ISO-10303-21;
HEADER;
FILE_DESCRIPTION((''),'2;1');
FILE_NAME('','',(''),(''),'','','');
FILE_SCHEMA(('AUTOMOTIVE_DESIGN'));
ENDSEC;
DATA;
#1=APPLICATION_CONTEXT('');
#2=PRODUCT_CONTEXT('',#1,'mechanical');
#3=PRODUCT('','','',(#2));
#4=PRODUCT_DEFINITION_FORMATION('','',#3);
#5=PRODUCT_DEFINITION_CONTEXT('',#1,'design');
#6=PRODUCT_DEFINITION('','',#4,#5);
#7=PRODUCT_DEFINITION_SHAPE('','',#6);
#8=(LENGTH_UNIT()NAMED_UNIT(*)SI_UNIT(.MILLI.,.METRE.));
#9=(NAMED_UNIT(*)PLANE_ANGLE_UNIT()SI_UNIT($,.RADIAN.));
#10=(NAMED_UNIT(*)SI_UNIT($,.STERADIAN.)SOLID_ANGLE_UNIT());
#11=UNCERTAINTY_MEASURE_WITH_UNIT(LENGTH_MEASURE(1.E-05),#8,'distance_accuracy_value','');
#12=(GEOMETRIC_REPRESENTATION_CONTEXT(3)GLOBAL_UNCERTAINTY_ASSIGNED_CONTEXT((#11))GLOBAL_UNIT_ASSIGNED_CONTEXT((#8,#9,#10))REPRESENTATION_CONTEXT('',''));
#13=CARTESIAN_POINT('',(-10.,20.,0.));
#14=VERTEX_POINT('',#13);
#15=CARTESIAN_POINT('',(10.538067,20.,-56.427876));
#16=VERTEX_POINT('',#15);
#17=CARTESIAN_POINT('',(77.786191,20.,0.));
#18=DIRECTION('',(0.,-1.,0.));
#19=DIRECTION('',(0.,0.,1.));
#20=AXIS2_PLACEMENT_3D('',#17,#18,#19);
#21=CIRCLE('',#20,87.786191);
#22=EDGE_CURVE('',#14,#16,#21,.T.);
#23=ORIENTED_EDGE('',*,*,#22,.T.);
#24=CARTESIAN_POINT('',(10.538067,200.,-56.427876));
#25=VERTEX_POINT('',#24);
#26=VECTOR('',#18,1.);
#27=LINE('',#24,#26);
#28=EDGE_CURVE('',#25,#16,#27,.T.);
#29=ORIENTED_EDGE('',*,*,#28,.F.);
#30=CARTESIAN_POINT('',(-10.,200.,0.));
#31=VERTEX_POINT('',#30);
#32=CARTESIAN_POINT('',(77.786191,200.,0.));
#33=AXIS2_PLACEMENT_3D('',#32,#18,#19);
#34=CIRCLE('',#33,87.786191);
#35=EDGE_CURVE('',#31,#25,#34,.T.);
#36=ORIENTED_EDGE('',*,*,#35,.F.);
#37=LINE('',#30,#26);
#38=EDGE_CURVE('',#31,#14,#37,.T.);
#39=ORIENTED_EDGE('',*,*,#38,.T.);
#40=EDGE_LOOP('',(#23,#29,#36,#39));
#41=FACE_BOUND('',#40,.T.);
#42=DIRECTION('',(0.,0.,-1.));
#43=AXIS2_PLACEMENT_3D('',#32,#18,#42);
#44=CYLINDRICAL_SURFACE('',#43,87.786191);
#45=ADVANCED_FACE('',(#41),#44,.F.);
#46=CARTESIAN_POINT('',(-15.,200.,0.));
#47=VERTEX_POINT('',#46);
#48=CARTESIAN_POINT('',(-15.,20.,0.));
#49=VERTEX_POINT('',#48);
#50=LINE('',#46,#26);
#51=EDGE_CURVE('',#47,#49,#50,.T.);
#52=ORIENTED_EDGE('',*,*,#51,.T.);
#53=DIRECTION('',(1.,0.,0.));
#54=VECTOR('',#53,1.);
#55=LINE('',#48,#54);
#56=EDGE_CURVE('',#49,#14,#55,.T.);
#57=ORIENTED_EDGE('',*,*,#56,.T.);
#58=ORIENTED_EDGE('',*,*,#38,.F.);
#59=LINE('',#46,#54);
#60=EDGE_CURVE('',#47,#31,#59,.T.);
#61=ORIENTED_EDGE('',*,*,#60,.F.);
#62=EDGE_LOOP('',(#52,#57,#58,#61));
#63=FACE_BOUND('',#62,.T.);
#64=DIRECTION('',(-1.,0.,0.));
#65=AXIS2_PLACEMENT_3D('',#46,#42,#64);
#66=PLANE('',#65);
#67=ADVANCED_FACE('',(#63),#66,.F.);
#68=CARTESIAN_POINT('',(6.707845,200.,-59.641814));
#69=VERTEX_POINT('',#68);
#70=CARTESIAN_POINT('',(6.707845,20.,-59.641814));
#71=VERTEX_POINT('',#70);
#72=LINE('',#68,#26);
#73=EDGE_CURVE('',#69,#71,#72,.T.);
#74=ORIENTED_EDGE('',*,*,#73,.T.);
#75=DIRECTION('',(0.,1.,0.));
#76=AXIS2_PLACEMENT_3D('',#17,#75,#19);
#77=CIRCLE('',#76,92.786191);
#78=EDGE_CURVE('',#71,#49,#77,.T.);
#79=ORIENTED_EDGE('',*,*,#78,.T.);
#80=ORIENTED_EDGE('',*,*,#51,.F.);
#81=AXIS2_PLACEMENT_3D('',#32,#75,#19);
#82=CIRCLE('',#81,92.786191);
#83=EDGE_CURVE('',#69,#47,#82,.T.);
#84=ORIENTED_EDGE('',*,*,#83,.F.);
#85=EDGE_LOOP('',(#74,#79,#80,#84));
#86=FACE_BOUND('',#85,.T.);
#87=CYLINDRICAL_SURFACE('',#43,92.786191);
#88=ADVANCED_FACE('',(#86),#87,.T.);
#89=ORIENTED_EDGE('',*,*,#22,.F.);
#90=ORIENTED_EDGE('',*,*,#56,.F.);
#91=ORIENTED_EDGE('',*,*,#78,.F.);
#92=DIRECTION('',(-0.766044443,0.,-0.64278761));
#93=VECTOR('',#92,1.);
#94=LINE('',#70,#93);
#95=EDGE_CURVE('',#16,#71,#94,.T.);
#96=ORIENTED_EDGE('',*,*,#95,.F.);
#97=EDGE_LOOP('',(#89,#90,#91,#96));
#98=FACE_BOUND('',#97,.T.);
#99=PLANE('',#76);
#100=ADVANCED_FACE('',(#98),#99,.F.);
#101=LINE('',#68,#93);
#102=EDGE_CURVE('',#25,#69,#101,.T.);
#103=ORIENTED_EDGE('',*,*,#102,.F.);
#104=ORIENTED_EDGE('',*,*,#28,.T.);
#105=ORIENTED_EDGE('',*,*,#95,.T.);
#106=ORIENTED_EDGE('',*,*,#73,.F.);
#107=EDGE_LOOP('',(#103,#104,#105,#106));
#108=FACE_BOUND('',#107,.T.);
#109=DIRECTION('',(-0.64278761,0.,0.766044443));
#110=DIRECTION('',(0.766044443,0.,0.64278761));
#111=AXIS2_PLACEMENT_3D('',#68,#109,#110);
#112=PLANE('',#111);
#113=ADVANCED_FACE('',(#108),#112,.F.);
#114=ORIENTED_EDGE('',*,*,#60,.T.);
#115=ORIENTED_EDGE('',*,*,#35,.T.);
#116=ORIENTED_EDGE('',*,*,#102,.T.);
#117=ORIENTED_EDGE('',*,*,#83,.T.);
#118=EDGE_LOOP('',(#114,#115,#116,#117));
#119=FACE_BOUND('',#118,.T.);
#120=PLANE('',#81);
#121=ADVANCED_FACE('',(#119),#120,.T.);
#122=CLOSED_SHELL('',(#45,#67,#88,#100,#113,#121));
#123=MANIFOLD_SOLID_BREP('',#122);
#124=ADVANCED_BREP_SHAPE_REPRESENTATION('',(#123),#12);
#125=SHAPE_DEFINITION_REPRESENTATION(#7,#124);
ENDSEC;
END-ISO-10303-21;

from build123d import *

# Parameters (mm, degrees)
SKETCH1_R           = 2.6
BOSS_EXTRUDE1_DEPTH = 20
BOSS_EXTRUDE2_DEPTH = 180
CUT_EXTRUDE1_DEPTH  = 192.378764777


with BuildPart() as part:
    # Sketch1 → Boss-Extrude1 (new body)
    with BuildSketch(Plane(origin=(0, 0, 0), x_dir=(1, 0, 0), z_dir=(0, 1, 0))):
        with BuildLine():
            Line((10, 0), (-10, 0))
            ThreePointArc((-10, 0), (-4.705844869, 30.024645745), (10.538067282, 56.427876097))
            Line((10.538067282, 56.427876097), (25.858956145, 43.572123903))
            ThreePointArc((25.858956145, 43.572123903), (14.088007547, 23.184242879), (10, 0))
        make_face()
        with Locations(Location((0.645465629, 10, 0), (0, 0, 270))):
            Circle(SKETCH1_R, mode=Mode.SUBTRACT)
        with Locations(Location((4.691081339, 26.604444312, 0), (0, 0, 270))):
            Circle(SKETCH1_R, mode=Mode.SUBTRACT)
        with Locations(Location((12.265090975, 41.92465826, 0), (0, 0, 270))):
            Circle(SKETCH1_R, mode=Mode.SUBTRACT)
    extrude(amount=BOSS_EXTRUDE1_DEPTH)

    # Sketch3 → Cut-Extrude1 (cut, through all)
    with BuildSketch(Plane(origin=(0, 20, 0), x_dir=(1, 0, 0), z_dir=(0, 1, 0))):
        with BuildLine():
            Line((25.858956145, 43.572123903), (10.538067282, 56.427876097))
            ThreePointArc((10.538067282, 56.427876097), (-4.705844869, 30.024645745), (-10, 0))
            Line((-10, 0), (10, 0))
            ThreePointArc((10, 0), (14.088007547, 23.184242879), (25.858956145, 43.572123903))
        make_face()
    extrude(amount=-CUT_EXTRUDE1_DEPTH, mode=Mode.SUBTRACT)


with BuildPart() as body_2:
    # Sketch2 → Boss-Extrude2 (new body)
    with BuildSketch(Plane(origin=(0, 20, 0), x_dir=(1, 0, 0), z_dir=(0, 1, 0))):
        with BuildLine():
            Line((6.707845067, 59.641814145), (10.538067282, 56.427876097))
            ThreePointArc((10.538067282, 56.427876097), (-4.705844869, 30.024645745), (-10, 0))
            Line((-10, 0), (-15, 0))
            ThreePointArc((-15, 0), (-9.404307973, 31.734746462), (6.707845067, 59.641814145))
        make_face()
    extrude(amount=BOSS_EXTRUDE2_DEPTH)


solid = body_2.part
